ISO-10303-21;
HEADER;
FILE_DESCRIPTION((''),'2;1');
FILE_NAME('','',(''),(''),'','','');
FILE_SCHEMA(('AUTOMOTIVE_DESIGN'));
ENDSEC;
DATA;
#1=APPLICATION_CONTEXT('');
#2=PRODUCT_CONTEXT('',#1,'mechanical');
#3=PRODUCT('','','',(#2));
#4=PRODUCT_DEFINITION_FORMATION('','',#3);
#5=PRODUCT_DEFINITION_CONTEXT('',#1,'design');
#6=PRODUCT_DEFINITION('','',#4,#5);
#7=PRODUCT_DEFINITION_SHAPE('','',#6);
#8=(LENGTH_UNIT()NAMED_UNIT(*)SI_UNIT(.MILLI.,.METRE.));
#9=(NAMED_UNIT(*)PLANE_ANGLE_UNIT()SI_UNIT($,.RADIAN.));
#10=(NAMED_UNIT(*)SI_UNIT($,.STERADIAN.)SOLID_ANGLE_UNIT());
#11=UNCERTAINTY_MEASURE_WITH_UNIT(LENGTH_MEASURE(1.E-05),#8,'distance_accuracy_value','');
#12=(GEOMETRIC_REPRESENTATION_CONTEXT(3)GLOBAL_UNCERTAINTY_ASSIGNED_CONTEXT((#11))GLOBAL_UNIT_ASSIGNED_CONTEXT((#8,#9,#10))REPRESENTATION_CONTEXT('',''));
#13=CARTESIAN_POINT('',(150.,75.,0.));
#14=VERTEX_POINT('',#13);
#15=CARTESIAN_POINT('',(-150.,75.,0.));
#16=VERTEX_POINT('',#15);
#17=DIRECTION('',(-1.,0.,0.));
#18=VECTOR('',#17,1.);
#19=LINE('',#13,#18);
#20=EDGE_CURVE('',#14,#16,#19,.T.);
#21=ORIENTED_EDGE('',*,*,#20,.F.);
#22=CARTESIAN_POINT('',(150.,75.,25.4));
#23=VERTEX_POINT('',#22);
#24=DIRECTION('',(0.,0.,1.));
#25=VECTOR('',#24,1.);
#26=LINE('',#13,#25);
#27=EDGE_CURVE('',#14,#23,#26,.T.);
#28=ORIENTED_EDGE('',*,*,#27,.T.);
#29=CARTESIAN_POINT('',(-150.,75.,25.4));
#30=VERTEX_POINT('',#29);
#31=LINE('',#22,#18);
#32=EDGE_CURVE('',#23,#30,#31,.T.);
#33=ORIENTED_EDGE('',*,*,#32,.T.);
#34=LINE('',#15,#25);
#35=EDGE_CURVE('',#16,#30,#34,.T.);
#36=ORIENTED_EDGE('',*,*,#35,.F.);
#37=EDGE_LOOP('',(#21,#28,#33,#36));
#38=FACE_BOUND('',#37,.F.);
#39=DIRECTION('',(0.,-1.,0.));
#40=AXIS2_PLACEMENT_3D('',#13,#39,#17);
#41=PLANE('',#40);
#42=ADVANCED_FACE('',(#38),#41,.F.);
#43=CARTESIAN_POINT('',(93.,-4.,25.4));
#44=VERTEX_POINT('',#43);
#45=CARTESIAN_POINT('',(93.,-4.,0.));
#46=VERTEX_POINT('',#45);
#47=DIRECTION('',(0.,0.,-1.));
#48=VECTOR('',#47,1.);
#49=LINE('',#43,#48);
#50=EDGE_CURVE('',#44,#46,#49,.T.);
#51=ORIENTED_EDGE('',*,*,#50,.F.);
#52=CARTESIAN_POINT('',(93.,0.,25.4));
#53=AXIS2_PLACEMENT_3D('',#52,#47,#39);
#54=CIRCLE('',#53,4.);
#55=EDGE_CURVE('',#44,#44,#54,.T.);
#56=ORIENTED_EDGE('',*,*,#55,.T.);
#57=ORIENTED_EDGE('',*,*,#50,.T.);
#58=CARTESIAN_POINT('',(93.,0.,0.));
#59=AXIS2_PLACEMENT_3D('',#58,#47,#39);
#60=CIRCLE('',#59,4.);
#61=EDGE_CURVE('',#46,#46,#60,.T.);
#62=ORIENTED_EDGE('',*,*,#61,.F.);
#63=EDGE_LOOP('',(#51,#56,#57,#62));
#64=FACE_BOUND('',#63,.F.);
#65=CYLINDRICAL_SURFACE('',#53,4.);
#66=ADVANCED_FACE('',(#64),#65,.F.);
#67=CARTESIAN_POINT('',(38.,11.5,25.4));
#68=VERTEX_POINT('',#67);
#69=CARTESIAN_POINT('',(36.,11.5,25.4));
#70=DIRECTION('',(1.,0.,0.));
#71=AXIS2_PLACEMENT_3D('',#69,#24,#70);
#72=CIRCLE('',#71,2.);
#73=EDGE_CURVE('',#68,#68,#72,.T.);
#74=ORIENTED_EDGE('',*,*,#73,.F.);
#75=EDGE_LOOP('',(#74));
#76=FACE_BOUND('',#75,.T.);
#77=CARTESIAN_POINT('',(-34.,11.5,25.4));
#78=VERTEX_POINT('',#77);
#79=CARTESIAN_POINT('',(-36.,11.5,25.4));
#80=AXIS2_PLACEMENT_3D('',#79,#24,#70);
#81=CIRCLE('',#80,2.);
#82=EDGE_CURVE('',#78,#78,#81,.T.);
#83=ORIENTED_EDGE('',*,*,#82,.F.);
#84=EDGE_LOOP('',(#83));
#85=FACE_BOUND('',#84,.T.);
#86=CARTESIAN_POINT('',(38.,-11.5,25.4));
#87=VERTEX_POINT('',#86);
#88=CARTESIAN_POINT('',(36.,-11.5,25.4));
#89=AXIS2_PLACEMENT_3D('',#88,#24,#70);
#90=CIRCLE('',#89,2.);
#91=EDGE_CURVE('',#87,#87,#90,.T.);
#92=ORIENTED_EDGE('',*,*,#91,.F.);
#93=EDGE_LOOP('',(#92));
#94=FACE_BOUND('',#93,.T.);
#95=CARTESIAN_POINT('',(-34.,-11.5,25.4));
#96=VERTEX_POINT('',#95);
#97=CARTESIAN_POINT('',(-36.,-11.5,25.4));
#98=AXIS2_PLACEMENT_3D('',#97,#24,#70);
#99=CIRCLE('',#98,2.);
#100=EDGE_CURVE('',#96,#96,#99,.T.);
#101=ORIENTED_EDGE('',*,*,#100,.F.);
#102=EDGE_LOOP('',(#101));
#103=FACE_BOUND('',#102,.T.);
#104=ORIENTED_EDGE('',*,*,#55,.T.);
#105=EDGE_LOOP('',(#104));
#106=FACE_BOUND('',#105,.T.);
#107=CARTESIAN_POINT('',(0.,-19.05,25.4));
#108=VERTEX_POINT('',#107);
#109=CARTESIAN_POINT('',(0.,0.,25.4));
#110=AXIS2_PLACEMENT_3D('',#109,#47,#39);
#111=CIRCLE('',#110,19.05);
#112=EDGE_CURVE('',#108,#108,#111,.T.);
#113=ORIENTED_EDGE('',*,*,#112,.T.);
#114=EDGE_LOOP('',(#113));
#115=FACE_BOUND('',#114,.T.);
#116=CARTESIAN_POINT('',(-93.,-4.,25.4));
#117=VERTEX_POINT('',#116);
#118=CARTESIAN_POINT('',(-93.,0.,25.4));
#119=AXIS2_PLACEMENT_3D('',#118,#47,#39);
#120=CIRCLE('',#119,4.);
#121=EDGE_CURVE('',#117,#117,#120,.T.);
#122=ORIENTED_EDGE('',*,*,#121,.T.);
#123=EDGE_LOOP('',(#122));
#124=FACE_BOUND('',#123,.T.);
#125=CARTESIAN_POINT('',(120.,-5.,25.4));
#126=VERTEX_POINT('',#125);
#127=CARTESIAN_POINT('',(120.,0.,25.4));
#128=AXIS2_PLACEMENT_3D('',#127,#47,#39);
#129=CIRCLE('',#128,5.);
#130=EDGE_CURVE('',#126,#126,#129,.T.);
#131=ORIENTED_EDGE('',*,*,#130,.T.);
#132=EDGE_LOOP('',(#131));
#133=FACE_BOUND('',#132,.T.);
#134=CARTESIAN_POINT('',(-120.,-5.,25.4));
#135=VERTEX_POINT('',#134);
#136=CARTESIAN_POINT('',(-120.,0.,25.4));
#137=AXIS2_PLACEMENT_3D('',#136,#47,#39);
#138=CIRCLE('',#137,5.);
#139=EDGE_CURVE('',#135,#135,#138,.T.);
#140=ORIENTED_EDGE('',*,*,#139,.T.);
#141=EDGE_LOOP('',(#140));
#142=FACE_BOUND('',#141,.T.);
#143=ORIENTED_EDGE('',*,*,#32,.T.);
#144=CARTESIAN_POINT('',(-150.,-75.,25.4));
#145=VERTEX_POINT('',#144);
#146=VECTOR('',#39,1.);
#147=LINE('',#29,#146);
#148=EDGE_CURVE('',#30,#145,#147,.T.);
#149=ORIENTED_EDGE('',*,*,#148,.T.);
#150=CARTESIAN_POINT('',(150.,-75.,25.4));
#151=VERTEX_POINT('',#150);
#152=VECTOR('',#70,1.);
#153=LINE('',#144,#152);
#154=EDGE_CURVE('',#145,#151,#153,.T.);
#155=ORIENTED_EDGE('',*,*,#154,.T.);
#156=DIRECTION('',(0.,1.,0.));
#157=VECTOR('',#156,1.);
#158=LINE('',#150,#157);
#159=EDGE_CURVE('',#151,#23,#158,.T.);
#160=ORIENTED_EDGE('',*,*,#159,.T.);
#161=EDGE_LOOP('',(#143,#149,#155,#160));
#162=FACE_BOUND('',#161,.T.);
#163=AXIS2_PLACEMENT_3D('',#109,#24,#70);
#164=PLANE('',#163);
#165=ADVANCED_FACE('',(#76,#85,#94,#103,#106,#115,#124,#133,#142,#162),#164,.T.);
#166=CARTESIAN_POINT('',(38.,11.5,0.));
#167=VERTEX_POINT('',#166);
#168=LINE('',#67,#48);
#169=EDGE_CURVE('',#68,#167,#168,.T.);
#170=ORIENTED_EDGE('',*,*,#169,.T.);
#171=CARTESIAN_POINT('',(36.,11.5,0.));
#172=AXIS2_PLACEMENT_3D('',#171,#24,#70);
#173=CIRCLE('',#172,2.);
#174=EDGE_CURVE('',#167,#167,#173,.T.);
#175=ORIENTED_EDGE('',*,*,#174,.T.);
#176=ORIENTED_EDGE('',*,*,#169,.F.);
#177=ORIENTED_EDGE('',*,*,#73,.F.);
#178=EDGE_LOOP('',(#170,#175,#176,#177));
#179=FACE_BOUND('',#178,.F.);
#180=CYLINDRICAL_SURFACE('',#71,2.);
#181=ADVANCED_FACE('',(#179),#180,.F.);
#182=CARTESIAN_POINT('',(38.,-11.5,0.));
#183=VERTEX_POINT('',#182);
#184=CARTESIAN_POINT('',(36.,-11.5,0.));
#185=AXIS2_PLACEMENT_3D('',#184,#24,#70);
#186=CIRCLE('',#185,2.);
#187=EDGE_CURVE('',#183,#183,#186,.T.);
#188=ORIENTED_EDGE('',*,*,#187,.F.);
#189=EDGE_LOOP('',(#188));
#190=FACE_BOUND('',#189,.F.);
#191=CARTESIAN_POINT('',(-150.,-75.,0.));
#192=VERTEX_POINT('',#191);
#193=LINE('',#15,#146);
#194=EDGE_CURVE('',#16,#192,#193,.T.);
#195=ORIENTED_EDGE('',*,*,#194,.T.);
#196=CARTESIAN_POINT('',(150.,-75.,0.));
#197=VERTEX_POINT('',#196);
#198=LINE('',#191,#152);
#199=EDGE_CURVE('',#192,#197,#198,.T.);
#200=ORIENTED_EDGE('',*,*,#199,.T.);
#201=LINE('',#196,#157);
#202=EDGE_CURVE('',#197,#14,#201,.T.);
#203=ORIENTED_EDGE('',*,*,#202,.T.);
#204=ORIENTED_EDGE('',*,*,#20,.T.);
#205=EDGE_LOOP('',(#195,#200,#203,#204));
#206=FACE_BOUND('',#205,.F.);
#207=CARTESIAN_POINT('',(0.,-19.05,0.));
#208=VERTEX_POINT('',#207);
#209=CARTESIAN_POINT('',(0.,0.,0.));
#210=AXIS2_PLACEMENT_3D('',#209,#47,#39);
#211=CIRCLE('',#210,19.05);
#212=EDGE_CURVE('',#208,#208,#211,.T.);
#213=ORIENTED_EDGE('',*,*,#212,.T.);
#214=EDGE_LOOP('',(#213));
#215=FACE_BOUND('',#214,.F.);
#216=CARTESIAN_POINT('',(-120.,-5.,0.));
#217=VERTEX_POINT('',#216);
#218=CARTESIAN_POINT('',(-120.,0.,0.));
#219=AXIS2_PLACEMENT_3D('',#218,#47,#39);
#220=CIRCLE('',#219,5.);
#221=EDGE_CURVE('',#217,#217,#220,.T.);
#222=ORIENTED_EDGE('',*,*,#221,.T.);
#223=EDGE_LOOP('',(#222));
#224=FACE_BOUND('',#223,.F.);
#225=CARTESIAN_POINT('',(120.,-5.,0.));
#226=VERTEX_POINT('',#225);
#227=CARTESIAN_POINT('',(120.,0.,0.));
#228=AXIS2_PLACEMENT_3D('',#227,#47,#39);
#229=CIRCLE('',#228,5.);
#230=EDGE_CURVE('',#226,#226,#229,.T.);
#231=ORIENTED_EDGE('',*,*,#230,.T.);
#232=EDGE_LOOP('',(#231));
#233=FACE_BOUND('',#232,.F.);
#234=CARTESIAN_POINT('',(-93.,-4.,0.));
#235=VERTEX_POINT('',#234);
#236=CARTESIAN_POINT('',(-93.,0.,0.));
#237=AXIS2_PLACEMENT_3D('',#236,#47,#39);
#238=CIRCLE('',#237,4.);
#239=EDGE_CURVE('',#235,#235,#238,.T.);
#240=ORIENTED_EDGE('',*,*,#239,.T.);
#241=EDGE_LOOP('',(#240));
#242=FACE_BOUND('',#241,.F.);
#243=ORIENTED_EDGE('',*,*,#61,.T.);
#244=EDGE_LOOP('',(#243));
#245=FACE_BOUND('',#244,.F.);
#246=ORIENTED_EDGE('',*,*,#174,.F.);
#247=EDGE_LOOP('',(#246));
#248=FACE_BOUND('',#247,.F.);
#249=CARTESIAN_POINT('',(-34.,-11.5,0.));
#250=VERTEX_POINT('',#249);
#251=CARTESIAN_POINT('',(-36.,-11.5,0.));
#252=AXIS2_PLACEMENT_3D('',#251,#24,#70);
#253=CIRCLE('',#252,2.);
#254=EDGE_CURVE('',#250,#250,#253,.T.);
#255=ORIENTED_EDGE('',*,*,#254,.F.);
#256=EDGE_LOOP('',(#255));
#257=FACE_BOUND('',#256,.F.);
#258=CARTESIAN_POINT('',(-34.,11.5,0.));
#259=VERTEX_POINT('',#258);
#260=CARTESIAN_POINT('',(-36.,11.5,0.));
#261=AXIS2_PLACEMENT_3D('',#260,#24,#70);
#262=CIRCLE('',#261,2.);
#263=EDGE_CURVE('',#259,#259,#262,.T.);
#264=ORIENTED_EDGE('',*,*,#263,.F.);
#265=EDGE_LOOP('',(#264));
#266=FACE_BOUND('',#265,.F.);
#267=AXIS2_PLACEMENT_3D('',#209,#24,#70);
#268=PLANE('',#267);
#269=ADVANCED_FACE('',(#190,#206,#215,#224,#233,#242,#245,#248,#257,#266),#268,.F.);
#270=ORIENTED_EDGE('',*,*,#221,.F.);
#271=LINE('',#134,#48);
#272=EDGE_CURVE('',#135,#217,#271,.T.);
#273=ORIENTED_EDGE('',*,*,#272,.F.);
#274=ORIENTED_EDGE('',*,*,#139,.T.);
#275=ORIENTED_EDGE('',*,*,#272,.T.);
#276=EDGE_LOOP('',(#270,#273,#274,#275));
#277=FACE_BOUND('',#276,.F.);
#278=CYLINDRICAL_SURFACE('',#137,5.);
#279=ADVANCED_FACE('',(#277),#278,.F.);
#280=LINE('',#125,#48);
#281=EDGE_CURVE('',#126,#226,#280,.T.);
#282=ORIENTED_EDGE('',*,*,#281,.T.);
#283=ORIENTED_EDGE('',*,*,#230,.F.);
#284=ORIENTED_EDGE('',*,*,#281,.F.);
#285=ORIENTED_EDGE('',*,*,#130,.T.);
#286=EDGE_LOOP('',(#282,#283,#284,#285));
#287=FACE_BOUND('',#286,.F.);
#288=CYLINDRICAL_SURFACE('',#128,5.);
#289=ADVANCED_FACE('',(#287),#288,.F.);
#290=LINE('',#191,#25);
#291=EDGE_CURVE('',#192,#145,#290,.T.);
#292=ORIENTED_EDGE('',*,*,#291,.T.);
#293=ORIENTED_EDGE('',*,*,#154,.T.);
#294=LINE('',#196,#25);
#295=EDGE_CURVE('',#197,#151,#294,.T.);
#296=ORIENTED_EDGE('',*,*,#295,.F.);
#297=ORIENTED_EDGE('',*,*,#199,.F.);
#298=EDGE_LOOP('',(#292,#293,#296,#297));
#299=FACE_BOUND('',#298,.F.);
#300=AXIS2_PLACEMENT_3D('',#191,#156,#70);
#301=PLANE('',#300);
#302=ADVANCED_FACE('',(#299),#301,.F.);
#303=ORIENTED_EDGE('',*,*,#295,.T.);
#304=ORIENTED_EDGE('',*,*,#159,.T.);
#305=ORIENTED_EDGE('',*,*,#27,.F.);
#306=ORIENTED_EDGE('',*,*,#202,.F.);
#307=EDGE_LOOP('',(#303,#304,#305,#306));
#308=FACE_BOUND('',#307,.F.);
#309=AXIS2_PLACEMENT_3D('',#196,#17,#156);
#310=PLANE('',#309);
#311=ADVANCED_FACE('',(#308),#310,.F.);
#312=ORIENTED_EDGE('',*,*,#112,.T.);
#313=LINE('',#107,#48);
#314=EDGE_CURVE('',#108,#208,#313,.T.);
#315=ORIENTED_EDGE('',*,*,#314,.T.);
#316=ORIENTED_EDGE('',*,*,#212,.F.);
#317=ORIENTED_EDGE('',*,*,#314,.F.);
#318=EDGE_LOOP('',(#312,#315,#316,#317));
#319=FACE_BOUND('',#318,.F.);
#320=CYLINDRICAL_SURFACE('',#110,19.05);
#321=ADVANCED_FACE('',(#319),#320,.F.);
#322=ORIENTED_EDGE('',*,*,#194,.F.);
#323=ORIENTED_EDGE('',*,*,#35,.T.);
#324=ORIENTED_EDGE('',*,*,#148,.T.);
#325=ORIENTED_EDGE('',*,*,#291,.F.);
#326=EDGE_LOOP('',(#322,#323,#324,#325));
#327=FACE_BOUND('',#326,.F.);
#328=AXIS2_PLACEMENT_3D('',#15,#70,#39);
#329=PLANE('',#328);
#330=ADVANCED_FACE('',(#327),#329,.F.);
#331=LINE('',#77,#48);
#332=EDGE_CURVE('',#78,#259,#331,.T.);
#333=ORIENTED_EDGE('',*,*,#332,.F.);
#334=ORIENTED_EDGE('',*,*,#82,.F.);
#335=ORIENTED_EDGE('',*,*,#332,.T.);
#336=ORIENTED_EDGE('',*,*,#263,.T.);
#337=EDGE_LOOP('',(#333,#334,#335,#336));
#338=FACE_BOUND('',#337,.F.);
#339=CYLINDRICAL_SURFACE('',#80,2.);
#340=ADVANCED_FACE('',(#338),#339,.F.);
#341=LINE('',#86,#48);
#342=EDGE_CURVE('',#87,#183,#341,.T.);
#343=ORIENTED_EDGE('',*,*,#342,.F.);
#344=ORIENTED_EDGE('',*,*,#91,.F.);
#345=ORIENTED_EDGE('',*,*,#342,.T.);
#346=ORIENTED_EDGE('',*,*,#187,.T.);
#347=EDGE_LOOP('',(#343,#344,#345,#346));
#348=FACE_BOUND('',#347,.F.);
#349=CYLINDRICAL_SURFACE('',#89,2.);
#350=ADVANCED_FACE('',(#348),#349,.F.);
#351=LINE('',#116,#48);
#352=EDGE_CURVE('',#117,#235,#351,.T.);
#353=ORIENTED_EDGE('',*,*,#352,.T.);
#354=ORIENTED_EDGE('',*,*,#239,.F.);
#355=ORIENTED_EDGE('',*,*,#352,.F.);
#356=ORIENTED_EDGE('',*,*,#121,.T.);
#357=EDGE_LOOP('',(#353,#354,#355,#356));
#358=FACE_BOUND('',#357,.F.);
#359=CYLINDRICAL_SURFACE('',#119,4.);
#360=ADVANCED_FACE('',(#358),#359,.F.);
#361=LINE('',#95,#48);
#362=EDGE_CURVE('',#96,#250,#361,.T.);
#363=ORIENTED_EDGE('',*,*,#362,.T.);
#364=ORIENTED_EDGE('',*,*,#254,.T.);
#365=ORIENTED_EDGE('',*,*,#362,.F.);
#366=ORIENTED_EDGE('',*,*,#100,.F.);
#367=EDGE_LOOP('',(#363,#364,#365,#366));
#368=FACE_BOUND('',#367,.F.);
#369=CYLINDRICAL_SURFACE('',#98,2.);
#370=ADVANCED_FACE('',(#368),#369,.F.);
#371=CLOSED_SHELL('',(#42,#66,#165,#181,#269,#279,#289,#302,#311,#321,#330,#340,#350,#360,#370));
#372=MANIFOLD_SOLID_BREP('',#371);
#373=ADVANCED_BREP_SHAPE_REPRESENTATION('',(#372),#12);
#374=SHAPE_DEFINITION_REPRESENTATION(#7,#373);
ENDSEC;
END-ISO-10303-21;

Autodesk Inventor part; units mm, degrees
ref_plane "YZ Plane" through (0, 0, 0) normal (1, 0, 0) x (0, 1, 0)
ref_plane "XZ Plane" through (0, 0, 0) normal (0, 1, 0) x (-1, 0, 0)
ref_plane "XY Plane" through (0, 0, 0) normal (0, 0, 1) x (1, 0, 0)
sketch "Sketch1" plane through (0, 0, 0) normal (0, 0, 1) x (1, 0, 0)
  line L0 (-150, -75) -> (150, -75)
  line L1 (150, -75) -> (150, 75)
  line L2 (150, 75) -> (-150, 75)
  line L3 (-150, 75) -> (-150, -75)
  line L4 (-150, -75) -> (150, 75) construction
  line L5 (150, -75) -> (-150, 75) construction
  point P0 (0, 0)
  dimension "d0" = 300
  dimension "d1" = 150
extrude "Extrusion1" add sketch "Sketch1" along normal blind 25.4
sketch "Sketch2" plane through (0, 0, 25.4) normal (0, 0, 1) x (1, 0, 0)
  line L0 (-120, 0) -> (120, 0)
  line L1 (-150, 75) -> (-150, -75) projected
  point P0 (0, 0)
  point P1 (0, 0)
  dimension "d4" = 30
hole "Hole1" at (-120, 0, 25.4) at (120, 0, 25.4) direction (0, 0, -1) diameter 10 end through all
sketch "Sketch3" plane through (0, 0, 25.4) normal (0, 0, 1) x (1, 0, 0)
  line L0 (-93, 0) -> (93, 0)
  point P0 (0, 0)
  point P1 (0, 0)
  dimension "d26" = 186
hole "Hole2" at (-93, 0, 25.4) at (93, 0, 25.4) direction (0, 0, -1) diameter 8 end through all
sketch "Sketch4" plane through (0, 0, 25.4) normal (0, 0, 1) x (1, 0, 0)
  point P0 (0, 0)
  point P1 (0, 0)
hole "Hole3" at (0, 0, 25.4) direction (0, 0, -1) diameter 38.1 end through all
sketch "Sketch5" plane through (0, 0, 25.4) normal (0, 0, 1) x (1, 0, 0)
  circle A0 centre (-36, 11.5) radius 2
  line L0 (-150, 75) -> (-150, -75) construction
  line L1 (-150, 0) -> (150, 0) construction
  line L2 (150, -75) -> (150, 75) construction
  circle A1 centre (-36, -11.5) radius 2
  line L3 (150, 75) -> (-150, 75) construction
  line L4 (0, 75) -> (0, -75) construction
  line L5 (-150, -75) -> (150, -75) construction
  circle A2 centre (36, 11.5) radius 2
  circle A3 centre (36, -11.5) radius 2
  point P0 (0, 0)
  dimension "d27" = 4
  dimension "d28" = 36
  dimension "d29" = 11.5
extrude "Extrusion2" cut sketch "Sketch5" against normal up to next
properties part number "base de madera pequeña"
